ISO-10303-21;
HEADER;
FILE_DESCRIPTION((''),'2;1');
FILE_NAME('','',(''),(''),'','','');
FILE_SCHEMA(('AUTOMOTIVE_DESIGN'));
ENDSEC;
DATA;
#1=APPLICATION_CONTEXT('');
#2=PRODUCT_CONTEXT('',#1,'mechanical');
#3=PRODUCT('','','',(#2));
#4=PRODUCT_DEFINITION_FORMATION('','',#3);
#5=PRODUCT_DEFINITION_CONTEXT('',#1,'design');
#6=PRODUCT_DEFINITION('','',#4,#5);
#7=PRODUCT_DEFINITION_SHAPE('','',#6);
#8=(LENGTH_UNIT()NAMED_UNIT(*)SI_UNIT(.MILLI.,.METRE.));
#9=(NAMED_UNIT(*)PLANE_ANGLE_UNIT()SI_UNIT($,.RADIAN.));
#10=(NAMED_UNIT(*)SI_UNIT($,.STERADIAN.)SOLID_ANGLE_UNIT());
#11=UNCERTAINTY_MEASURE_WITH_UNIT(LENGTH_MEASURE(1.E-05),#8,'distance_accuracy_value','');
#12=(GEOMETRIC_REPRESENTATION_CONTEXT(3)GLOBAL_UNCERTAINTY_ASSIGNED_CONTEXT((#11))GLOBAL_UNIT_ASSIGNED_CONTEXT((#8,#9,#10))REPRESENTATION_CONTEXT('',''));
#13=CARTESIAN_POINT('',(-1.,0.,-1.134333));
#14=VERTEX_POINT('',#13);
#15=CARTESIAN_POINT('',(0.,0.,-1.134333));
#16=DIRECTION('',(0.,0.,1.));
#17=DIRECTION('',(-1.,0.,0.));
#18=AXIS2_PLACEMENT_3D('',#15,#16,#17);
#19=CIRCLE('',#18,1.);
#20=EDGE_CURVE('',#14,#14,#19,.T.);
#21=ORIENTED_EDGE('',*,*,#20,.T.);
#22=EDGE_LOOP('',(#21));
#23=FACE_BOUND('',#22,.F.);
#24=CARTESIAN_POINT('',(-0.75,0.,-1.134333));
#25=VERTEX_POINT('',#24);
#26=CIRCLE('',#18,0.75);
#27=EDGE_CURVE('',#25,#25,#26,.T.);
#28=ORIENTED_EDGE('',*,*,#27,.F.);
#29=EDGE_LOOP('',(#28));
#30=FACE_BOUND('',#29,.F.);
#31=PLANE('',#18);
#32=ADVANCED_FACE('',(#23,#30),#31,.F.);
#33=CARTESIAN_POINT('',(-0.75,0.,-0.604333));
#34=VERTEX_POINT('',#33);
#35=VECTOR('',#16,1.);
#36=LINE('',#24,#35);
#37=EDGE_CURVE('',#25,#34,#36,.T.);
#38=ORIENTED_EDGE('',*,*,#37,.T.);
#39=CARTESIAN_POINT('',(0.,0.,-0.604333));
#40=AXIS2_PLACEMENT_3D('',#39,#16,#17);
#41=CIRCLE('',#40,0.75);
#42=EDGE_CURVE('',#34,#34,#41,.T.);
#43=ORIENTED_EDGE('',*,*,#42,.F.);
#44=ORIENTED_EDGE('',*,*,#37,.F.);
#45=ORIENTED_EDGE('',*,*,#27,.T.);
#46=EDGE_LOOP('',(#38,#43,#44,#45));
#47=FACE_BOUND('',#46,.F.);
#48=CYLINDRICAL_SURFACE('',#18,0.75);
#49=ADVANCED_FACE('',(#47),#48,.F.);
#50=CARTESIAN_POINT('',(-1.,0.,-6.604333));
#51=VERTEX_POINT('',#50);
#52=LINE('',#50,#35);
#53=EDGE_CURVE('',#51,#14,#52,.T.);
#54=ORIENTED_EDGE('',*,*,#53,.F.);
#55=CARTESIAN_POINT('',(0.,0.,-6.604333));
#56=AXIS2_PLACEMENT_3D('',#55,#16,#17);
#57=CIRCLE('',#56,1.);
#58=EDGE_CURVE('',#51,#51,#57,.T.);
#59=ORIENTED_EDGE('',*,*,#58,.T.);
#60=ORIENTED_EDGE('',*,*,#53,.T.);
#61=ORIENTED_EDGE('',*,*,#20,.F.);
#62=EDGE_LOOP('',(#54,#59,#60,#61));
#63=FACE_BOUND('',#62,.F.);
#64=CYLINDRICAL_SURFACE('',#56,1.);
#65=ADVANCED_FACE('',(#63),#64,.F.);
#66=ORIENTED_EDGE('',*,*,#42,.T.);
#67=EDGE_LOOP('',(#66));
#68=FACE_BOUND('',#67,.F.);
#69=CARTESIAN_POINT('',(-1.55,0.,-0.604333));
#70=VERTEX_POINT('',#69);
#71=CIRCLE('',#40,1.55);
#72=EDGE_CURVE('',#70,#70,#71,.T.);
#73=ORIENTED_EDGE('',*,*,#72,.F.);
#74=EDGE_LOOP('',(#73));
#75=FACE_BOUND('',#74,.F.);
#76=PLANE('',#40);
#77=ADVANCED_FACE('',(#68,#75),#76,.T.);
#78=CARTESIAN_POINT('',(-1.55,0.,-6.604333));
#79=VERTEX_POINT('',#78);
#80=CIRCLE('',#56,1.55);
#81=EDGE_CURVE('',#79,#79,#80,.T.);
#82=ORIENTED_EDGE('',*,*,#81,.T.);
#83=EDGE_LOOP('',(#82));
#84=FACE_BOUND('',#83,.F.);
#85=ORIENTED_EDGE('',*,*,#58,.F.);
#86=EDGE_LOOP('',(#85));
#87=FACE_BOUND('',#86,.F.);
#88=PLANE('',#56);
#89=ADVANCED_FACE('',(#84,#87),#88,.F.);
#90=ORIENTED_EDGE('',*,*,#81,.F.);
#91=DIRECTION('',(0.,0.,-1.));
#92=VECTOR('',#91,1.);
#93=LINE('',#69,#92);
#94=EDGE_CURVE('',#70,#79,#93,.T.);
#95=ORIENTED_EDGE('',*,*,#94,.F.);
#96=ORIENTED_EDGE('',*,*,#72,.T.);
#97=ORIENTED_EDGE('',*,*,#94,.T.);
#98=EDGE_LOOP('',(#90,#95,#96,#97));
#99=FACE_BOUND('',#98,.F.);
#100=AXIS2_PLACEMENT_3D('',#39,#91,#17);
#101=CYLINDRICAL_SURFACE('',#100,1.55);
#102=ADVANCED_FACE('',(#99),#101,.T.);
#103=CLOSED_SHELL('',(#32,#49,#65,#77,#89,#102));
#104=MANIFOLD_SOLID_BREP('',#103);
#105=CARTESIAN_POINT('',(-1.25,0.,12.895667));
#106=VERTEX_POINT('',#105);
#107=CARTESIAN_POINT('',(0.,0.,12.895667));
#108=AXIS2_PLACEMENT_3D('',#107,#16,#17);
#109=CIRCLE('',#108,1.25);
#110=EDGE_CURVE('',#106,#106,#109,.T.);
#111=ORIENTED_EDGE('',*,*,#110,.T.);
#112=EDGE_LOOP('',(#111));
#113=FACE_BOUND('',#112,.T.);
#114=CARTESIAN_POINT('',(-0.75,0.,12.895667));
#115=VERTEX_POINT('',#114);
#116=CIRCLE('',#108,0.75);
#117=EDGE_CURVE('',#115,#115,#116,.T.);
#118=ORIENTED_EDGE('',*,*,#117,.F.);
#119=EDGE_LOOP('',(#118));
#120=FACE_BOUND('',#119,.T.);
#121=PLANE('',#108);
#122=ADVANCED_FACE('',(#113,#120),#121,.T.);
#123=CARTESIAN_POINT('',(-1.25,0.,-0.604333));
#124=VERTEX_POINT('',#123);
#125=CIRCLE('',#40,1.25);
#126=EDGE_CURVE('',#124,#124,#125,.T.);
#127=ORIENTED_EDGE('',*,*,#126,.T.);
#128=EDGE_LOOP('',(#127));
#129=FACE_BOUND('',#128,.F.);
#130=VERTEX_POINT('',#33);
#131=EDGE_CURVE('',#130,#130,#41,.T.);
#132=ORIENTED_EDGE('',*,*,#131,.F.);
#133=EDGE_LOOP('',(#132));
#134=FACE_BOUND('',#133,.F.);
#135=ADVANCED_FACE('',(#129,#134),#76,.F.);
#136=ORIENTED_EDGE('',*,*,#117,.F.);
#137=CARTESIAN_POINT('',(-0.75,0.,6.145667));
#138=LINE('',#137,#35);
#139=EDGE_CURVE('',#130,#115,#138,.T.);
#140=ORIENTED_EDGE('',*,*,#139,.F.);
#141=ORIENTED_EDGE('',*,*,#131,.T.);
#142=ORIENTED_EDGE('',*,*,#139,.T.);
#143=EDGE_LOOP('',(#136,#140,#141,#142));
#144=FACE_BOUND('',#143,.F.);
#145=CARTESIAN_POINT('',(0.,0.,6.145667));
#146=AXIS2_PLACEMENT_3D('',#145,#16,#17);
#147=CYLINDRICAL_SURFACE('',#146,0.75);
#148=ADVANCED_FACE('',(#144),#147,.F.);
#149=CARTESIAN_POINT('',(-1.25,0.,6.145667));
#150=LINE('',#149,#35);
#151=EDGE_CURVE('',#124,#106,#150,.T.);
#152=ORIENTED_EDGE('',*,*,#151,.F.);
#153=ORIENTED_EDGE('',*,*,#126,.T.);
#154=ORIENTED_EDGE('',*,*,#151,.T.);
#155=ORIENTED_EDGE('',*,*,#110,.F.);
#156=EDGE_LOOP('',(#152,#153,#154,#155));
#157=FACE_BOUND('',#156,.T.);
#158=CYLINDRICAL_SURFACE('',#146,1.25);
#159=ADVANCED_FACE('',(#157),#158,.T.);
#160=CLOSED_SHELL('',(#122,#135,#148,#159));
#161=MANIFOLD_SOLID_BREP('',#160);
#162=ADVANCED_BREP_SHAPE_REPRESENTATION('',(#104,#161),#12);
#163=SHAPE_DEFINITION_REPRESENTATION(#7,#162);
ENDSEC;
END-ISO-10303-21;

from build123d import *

# Parameters (mm, degrees)
F0_W = 0.5
F0_H = 13.5


with BuildPart() as f1:
    # F0 (on Front) → F1 (revolve)
    with BuildSketch(Plane.XZ):
        Polygon((-1.55, -6.604333), (-1, -6.604333), (-1, -1.134333), (-0.75, -1.134333), (-0.75, -0.604333), (-1.25, -0.604333), (-1.55, -0.604333), align=None)
    revolve(axis=Axis((0, 0, -3.604333), (0, 0, 1)))


with BuildPart() as f2:
    # F0 (on Front) → F2 (revolve)
    with BuildSketch(Plane.XZ):
        with Locations((-1, 6.145667)):
            Rectangle(F0_W, F0_H)
    revolve(axis=Axis((0, 0, 6.145667), (0, 0, 1)))


solid = Compound([f1.part, f2.part])
